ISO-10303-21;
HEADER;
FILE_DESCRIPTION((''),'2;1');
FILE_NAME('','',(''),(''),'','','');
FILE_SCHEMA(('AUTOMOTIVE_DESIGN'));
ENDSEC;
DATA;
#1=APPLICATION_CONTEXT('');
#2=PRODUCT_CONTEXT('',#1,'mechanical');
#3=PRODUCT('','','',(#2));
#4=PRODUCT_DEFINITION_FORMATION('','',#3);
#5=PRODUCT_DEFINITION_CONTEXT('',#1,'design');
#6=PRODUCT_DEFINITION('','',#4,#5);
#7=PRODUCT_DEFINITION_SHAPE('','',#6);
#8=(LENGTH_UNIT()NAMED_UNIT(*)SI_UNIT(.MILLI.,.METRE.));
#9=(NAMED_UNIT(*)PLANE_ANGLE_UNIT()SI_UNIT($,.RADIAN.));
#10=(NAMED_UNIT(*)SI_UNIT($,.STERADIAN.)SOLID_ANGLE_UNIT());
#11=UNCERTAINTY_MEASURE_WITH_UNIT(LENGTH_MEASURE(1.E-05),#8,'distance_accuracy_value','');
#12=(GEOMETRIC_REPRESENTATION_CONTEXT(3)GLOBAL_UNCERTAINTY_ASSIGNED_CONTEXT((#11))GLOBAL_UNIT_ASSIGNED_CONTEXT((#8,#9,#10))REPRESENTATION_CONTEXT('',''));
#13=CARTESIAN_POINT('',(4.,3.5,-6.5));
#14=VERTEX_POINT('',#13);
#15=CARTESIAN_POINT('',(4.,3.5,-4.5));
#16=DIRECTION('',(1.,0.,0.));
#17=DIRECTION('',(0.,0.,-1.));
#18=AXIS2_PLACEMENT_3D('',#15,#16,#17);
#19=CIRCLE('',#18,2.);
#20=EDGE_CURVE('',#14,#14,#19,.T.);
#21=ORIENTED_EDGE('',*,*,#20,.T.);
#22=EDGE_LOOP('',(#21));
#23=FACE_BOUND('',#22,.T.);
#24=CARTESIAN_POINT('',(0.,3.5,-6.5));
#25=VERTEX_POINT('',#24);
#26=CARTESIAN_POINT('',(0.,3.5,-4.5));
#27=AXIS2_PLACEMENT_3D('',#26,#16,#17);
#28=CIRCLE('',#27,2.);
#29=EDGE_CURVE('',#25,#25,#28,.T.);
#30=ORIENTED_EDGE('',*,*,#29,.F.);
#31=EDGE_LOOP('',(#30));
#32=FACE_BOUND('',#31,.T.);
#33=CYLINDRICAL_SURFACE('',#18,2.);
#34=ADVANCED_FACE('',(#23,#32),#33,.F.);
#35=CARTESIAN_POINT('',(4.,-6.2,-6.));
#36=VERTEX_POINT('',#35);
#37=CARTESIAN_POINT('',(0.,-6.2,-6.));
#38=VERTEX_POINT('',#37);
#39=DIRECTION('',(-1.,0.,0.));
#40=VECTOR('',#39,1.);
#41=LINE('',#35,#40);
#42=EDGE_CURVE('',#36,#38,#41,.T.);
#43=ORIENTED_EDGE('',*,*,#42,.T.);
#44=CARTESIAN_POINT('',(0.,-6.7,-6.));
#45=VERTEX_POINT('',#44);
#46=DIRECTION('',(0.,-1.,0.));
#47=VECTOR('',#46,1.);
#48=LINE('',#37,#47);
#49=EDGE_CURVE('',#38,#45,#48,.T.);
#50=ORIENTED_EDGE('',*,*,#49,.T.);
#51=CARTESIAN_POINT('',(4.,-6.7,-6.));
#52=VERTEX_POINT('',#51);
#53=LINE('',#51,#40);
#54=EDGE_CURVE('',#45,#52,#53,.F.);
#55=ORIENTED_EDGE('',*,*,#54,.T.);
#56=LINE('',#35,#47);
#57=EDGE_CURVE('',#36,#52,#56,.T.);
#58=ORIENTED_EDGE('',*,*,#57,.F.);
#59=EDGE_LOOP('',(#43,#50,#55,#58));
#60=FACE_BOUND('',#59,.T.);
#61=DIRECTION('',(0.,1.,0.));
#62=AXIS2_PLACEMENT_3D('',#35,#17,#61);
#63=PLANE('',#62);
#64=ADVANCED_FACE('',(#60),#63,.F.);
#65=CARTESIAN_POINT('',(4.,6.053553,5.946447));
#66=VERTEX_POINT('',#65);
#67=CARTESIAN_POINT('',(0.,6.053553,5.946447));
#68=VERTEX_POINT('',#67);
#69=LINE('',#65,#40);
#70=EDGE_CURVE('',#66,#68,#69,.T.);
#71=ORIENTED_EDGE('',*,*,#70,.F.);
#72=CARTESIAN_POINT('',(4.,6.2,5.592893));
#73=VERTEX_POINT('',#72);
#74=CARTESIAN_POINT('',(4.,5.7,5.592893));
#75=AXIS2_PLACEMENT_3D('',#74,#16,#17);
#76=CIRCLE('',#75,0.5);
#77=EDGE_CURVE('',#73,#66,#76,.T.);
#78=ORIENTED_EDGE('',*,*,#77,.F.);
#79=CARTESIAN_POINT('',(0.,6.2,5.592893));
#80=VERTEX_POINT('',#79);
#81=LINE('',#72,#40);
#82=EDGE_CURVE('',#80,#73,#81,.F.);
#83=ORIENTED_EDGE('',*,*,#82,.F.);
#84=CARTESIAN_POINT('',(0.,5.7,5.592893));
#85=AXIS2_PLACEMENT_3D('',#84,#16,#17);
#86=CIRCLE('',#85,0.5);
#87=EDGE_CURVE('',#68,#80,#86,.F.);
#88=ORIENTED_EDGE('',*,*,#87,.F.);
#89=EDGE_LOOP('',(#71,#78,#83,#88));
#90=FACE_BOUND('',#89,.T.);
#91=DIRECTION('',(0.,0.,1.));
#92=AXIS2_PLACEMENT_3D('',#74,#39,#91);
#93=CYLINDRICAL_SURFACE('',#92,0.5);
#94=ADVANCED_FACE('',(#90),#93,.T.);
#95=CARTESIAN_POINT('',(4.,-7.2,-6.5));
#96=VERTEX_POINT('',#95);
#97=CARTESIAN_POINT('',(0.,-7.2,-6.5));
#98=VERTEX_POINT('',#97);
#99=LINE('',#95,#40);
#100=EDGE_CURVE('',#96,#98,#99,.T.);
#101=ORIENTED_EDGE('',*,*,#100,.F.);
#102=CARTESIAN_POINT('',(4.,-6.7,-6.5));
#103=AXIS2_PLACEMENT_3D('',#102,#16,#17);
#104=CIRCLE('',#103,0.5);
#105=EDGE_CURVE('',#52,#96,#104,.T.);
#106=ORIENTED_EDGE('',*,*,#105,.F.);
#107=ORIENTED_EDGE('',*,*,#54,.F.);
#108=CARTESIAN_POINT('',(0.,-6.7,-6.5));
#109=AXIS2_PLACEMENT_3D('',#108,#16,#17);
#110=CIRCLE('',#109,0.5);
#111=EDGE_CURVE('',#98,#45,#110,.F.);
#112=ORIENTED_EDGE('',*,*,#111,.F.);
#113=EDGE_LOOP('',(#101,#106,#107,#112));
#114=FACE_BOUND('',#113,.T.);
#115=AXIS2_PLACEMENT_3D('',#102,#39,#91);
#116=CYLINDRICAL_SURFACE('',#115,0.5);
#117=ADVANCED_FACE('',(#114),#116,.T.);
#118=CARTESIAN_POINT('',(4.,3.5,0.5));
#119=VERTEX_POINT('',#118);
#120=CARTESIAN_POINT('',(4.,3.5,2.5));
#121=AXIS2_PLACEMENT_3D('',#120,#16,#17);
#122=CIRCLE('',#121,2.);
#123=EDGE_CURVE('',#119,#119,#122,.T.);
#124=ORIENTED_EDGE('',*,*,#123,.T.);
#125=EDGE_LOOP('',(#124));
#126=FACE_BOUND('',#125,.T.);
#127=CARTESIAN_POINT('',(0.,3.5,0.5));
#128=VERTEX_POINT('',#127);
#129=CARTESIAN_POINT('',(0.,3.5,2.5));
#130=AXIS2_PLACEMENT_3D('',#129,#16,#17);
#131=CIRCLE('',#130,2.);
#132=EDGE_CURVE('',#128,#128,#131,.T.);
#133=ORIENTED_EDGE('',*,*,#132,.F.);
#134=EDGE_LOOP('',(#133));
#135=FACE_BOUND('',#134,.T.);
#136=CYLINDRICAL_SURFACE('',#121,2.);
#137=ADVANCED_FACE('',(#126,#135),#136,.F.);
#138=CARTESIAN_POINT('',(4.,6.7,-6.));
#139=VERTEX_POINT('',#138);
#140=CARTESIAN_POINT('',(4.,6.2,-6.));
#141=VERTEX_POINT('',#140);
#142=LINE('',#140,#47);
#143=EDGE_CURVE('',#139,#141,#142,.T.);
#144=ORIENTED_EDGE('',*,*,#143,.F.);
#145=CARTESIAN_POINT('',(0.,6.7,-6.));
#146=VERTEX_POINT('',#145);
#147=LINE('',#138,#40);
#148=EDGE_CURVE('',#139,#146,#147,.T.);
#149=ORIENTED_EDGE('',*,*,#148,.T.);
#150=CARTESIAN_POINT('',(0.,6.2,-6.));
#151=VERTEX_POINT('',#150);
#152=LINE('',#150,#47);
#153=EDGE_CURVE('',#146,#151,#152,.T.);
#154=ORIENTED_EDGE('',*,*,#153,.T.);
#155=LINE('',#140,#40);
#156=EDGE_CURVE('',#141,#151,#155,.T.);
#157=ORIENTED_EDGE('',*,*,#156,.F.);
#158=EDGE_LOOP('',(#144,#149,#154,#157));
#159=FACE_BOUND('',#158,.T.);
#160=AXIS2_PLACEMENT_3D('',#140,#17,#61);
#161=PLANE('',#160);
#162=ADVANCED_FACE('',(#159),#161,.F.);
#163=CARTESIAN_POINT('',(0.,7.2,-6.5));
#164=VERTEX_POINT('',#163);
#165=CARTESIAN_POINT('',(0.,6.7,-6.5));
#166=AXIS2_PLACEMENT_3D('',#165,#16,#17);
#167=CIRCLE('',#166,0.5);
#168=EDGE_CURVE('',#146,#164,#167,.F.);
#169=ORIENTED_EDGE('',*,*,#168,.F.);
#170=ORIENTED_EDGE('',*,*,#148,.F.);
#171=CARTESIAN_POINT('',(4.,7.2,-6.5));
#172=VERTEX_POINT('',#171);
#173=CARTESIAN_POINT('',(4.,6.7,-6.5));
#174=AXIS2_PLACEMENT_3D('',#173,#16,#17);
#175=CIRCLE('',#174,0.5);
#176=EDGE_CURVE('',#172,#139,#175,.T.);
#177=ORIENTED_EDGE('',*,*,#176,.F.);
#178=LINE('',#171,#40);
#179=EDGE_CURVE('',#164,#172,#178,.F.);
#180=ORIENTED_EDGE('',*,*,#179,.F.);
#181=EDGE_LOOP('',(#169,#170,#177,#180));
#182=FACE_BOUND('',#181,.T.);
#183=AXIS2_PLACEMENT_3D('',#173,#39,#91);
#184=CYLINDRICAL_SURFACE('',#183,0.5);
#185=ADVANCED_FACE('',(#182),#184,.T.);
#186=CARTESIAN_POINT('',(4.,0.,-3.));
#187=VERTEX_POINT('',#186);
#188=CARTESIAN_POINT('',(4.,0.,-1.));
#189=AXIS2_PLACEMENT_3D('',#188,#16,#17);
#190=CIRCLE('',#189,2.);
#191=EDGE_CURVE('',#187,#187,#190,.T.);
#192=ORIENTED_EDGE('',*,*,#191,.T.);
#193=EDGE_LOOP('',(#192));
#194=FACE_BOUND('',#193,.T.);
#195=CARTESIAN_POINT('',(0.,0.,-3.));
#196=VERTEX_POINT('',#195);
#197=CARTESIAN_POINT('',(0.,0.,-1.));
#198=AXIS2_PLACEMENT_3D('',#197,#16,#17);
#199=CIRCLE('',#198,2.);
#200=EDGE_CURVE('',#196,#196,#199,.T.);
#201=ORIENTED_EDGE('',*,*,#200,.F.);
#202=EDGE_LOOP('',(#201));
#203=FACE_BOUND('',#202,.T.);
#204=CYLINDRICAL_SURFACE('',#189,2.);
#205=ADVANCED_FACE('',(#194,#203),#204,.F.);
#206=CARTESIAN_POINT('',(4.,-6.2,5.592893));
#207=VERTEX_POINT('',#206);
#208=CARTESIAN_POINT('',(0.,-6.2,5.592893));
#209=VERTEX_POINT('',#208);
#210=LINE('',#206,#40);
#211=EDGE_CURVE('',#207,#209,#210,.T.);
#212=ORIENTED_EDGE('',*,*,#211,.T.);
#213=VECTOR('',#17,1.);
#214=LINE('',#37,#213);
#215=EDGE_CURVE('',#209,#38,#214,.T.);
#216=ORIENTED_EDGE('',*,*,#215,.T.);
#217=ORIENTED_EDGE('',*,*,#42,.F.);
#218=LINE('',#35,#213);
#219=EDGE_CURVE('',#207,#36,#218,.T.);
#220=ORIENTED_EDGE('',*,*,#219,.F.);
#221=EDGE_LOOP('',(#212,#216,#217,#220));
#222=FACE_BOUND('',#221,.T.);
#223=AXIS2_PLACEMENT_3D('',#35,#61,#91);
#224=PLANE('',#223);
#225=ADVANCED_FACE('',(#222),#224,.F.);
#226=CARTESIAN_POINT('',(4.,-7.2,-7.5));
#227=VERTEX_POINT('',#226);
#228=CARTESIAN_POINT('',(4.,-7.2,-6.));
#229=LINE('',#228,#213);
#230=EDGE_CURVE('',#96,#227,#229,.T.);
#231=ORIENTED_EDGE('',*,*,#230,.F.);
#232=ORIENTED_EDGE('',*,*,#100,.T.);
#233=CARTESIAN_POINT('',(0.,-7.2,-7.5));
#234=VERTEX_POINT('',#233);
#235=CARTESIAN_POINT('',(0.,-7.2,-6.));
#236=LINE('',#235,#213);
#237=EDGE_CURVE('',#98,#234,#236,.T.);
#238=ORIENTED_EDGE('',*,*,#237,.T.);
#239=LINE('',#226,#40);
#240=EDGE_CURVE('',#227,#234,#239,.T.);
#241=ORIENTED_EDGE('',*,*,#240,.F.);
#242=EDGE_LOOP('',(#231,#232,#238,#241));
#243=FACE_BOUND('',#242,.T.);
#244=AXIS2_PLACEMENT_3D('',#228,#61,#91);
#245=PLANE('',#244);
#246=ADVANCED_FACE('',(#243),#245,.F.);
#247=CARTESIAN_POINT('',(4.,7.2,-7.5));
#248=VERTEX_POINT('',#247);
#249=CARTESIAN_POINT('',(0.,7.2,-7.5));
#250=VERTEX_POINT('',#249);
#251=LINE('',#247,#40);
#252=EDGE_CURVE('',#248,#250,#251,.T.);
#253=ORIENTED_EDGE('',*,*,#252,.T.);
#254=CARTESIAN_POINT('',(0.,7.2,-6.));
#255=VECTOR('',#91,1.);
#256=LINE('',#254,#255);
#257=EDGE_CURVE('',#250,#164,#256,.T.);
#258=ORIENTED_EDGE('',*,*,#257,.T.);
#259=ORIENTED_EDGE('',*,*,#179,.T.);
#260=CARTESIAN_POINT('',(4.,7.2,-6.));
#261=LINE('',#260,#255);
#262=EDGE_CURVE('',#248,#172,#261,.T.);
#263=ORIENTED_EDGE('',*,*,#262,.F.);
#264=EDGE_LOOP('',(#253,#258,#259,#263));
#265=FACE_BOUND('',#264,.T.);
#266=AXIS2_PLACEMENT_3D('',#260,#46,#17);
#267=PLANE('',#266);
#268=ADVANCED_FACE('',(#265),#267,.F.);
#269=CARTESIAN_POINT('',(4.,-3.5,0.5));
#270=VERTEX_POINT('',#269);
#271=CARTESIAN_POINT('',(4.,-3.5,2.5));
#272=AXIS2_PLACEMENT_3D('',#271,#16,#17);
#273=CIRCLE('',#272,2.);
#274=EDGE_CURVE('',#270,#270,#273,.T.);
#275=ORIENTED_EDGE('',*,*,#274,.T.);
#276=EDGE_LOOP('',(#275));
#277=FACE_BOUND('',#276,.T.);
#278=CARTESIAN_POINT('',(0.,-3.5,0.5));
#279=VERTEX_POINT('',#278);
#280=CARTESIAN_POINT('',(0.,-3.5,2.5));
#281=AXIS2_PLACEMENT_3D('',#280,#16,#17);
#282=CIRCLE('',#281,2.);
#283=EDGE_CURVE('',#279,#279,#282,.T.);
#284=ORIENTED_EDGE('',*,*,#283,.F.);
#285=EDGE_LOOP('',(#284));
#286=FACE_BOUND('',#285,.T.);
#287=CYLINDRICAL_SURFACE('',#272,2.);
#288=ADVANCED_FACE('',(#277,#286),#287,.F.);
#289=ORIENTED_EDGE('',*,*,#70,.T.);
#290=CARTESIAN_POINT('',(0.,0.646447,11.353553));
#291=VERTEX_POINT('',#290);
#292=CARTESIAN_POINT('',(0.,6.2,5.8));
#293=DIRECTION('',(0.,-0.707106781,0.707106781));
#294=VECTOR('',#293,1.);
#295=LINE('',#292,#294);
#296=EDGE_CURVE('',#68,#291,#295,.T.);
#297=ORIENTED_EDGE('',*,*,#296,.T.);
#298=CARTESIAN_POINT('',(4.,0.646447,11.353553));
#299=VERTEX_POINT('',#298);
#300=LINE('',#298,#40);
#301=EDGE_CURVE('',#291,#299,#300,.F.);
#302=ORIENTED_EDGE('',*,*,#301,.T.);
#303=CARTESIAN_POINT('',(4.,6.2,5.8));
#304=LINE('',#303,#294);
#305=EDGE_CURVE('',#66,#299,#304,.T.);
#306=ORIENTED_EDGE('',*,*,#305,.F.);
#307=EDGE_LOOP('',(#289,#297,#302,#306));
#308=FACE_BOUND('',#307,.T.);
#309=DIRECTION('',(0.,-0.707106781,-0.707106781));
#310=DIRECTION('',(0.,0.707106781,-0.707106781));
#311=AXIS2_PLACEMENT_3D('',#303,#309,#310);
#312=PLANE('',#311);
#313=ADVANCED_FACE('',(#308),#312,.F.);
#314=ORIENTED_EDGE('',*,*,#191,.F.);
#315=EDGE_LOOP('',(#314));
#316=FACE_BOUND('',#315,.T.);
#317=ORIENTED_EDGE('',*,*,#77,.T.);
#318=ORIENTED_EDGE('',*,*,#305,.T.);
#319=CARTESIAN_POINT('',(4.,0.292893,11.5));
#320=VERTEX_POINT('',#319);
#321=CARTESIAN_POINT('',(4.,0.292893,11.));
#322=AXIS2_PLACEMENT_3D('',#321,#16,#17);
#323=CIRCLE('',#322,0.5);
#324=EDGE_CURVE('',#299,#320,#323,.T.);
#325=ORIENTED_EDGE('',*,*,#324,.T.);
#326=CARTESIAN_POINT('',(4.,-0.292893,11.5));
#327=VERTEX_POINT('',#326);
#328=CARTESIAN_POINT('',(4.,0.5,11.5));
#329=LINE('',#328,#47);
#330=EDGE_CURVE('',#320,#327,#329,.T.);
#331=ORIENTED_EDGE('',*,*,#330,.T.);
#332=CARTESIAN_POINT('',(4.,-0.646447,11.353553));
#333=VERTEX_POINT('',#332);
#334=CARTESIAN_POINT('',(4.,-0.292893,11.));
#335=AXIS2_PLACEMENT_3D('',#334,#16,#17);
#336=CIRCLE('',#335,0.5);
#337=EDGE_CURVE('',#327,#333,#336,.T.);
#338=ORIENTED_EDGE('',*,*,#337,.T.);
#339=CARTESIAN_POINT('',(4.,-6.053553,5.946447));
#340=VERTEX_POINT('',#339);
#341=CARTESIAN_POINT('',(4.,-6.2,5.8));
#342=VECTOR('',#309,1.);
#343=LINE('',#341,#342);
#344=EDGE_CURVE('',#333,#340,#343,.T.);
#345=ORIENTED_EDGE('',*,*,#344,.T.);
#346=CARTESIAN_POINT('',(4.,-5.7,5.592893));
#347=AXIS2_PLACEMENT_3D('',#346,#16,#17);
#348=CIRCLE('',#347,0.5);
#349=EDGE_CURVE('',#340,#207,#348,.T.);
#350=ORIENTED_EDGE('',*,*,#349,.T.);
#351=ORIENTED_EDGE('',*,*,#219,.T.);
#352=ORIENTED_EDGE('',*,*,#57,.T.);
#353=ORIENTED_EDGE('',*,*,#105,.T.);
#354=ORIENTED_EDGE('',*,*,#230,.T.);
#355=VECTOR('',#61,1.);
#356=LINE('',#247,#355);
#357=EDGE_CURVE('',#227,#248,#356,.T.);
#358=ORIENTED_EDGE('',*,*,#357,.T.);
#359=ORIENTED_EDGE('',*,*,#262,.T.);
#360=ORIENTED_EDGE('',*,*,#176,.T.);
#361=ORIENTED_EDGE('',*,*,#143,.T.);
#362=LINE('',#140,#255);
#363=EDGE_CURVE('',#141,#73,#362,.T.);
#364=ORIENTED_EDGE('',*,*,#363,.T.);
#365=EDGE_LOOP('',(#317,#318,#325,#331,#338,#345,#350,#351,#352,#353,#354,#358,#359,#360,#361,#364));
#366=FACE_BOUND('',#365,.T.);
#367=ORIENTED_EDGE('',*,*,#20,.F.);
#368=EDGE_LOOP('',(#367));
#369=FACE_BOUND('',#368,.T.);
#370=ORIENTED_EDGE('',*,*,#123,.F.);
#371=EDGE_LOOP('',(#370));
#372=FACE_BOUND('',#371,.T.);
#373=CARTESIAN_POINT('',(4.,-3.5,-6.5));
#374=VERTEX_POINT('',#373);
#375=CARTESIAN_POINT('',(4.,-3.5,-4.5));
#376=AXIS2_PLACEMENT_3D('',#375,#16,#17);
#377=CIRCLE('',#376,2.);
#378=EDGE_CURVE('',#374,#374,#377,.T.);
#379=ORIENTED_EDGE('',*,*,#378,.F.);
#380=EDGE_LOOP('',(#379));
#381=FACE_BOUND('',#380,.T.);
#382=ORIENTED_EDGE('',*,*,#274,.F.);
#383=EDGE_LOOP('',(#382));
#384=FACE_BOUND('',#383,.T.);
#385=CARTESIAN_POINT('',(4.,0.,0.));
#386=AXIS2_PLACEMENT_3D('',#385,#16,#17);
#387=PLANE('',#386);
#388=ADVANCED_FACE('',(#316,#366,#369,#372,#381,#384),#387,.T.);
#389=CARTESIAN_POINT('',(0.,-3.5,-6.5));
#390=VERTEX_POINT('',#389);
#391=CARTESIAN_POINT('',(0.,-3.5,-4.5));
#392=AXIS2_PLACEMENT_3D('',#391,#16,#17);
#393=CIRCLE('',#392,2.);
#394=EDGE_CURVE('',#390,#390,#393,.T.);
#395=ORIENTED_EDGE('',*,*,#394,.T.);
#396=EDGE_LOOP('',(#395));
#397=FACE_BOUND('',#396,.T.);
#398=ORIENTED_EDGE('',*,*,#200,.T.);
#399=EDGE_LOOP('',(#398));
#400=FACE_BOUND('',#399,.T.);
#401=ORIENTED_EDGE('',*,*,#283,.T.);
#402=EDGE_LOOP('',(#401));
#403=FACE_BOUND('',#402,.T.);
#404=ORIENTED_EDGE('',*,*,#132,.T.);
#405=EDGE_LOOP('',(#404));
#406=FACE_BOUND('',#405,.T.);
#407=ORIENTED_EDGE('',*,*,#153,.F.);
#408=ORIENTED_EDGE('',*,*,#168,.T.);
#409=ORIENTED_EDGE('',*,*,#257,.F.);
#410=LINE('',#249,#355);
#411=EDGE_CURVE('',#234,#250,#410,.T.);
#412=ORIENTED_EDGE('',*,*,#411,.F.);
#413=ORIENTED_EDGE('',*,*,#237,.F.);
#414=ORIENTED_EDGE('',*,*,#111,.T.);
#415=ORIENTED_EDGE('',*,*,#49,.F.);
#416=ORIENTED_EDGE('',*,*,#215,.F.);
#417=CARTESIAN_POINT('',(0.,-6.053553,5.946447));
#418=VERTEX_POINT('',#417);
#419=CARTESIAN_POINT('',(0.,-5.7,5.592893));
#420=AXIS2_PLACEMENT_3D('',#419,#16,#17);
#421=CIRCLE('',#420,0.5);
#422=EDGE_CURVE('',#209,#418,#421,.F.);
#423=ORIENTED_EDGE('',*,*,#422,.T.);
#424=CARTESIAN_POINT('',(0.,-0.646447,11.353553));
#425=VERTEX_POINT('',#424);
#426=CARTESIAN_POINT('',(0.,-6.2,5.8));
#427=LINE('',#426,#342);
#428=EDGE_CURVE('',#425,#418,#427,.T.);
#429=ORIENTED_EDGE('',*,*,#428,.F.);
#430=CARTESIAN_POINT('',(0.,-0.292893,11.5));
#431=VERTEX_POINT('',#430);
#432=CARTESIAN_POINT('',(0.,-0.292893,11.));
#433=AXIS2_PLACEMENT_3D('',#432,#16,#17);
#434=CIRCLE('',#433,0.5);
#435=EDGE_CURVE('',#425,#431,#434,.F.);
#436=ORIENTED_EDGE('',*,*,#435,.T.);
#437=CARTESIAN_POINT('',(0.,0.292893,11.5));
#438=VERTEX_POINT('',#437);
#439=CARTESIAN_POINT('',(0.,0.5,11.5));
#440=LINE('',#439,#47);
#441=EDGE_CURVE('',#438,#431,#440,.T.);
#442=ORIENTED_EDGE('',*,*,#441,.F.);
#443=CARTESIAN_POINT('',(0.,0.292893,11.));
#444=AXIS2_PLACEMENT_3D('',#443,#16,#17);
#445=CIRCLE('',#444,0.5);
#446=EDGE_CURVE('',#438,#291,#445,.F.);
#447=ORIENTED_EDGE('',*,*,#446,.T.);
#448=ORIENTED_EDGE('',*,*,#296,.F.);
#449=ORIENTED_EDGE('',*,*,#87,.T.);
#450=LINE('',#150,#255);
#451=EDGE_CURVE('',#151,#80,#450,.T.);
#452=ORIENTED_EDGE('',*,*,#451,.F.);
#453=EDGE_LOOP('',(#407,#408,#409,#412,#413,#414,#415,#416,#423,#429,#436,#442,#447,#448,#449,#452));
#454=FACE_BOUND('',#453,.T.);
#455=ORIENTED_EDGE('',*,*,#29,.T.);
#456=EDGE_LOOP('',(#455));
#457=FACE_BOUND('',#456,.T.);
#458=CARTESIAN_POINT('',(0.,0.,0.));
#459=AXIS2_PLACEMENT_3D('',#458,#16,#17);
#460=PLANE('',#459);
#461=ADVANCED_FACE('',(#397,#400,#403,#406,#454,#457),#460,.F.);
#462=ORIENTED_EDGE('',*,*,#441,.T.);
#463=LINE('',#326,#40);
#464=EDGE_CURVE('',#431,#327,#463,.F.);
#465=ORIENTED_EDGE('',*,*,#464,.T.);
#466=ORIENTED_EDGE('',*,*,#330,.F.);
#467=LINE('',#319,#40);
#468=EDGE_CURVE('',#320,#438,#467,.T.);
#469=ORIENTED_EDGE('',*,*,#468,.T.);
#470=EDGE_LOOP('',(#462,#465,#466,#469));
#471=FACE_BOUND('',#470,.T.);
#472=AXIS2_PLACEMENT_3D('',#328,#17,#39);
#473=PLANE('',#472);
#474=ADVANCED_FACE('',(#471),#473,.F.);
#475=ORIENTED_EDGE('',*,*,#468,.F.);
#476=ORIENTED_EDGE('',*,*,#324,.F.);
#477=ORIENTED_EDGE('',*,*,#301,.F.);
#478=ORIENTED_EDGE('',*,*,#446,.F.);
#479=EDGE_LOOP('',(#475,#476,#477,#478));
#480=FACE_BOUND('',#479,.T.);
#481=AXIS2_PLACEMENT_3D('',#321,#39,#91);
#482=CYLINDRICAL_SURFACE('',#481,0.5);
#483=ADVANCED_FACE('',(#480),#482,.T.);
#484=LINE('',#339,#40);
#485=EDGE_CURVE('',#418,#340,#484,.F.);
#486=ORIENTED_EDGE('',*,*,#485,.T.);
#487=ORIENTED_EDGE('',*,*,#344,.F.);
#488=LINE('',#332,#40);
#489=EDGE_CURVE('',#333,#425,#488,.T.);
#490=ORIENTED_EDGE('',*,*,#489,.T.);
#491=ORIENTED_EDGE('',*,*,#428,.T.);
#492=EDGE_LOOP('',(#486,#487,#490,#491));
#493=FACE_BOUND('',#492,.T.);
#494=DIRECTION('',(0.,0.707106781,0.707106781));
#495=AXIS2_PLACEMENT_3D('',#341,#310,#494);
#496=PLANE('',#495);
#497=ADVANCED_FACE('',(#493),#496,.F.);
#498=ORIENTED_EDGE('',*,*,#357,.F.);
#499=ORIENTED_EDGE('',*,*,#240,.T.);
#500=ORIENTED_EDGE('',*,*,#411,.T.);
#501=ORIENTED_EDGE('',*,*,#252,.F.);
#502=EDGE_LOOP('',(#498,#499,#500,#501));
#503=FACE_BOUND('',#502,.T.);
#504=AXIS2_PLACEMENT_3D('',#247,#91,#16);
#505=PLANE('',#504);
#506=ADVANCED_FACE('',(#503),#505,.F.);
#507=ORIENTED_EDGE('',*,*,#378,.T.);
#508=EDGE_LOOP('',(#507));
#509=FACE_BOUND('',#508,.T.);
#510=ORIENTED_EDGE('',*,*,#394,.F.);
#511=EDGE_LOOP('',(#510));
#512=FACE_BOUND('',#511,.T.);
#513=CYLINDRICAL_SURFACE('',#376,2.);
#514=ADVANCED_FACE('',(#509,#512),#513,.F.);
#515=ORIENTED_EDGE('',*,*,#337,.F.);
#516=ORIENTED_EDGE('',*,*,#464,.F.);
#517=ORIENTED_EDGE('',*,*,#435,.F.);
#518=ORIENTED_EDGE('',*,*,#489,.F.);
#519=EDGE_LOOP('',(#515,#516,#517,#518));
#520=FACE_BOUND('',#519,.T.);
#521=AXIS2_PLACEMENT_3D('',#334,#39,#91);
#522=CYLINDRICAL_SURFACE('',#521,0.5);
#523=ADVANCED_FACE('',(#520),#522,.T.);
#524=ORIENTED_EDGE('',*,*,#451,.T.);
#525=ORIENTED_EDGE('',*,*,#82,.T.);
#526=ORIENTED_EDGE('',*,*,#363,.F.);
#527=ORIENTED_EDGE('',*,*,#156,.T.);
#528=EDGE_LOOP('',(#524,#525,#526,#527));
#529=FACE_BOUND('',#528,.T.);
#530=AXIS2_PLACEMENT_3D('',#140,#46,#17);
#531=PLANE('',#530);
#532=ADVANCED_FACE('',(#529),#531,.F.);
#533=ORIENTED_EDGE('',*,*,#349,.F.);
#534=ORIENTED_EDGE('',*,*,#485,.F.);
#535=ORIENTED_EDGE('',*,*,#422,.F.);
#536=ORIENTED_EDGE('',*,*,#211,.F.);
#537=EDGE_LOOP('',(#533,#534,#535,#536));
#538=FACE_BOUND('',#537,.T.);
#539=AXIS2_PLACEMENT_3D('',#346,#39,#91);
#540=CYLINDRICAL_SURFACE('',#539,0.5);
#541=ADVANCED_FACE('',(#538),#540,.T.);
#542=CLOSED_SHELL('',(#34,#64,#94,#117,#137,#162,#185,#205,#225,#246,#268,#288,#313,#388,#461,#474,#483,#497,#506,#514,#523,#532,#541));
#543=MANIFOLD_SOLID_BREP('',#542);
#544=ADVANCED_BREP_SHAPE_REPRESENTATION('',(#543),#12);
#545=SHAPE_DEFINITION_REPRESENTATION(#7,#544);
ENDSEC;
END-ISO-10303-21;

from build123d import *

# Parameters (mm, degrees)
BOSS_EXTRUDE1_DEPTH                = 4
FILLET2_R                          = 0.5
F_4_0MM_MASS_REDUCTION_HOLES_D     = 4
F_4_0MM_MASS_REDUCTION_HOLES_DEPTH = 9.525
F_4_0MM_MASS_REDUCTION_HOLES_TIP   = 1.201721238


with BuildPart() as part:
    # Sketch1 → Boss-Extrude1 (new body)
    with BuildSketch(Plane(origin=(0, 0, 0), x_dir=(0, 0, -1), z_dir=(1, 0, 0))):
        Polygon((-5.8, 6.2), (-11.5, 0.5), (-11.5, -0.5), (-5.8, -6.2), (6, -6.2), (6, -7.2), (7.5, -7.2), (7.5, 7.2), (6, 7.2), (6, 6.2), align=None)
    extrude(amount=BOSS_EXTRUDE1_DEPTH)

    # Fillet2
    fillet2_edges = [part.edges().sort_by_distance(p)[0] for p in [
        (2, -6.2, 5.8),
        (2, -0.5, 11.5),
        (2, 0.5, 11.5),
        (2, 6.2, 5.8),
        (2, 7.2, -6),
        (2, -7.2, -6),
    ]]
    fillet(fillet2_edges, radius=FILLET2_R)

    # Ø4.0mm mass reduction holes
    with Locations(Plane(origin=(4, 0, 0), x_dir=(0, 0, -1), z_dir=(1, 0, 0))):
        with Locations((4.5, -3.5), (4.5, 3.5), (-2.5, -3.5), (-2.5, 3.5), (1, 0)):
            Hole(F_4_0MM_MASS_REDUCTION_HOLES_D / 2, depth=F_4_0MM_MASS_REDUCTION_HOLES_DEPTH)
            with Locations((0, 0, -(F_4_0MM_MASS_REDUCTION_HOLES_DEPTH + F_4_0MM_MASS_REDUCTION_HOLES_TIP / 2))):  # 118° drill point
                Cone(0, F_4_0MM_MASS_REDUCTION_HOLES_D / 2, F_4_0MM_MASS_REDUCTION_HOLES_TIP, mode=Mode.SUBTRACT)


solid = part.part
